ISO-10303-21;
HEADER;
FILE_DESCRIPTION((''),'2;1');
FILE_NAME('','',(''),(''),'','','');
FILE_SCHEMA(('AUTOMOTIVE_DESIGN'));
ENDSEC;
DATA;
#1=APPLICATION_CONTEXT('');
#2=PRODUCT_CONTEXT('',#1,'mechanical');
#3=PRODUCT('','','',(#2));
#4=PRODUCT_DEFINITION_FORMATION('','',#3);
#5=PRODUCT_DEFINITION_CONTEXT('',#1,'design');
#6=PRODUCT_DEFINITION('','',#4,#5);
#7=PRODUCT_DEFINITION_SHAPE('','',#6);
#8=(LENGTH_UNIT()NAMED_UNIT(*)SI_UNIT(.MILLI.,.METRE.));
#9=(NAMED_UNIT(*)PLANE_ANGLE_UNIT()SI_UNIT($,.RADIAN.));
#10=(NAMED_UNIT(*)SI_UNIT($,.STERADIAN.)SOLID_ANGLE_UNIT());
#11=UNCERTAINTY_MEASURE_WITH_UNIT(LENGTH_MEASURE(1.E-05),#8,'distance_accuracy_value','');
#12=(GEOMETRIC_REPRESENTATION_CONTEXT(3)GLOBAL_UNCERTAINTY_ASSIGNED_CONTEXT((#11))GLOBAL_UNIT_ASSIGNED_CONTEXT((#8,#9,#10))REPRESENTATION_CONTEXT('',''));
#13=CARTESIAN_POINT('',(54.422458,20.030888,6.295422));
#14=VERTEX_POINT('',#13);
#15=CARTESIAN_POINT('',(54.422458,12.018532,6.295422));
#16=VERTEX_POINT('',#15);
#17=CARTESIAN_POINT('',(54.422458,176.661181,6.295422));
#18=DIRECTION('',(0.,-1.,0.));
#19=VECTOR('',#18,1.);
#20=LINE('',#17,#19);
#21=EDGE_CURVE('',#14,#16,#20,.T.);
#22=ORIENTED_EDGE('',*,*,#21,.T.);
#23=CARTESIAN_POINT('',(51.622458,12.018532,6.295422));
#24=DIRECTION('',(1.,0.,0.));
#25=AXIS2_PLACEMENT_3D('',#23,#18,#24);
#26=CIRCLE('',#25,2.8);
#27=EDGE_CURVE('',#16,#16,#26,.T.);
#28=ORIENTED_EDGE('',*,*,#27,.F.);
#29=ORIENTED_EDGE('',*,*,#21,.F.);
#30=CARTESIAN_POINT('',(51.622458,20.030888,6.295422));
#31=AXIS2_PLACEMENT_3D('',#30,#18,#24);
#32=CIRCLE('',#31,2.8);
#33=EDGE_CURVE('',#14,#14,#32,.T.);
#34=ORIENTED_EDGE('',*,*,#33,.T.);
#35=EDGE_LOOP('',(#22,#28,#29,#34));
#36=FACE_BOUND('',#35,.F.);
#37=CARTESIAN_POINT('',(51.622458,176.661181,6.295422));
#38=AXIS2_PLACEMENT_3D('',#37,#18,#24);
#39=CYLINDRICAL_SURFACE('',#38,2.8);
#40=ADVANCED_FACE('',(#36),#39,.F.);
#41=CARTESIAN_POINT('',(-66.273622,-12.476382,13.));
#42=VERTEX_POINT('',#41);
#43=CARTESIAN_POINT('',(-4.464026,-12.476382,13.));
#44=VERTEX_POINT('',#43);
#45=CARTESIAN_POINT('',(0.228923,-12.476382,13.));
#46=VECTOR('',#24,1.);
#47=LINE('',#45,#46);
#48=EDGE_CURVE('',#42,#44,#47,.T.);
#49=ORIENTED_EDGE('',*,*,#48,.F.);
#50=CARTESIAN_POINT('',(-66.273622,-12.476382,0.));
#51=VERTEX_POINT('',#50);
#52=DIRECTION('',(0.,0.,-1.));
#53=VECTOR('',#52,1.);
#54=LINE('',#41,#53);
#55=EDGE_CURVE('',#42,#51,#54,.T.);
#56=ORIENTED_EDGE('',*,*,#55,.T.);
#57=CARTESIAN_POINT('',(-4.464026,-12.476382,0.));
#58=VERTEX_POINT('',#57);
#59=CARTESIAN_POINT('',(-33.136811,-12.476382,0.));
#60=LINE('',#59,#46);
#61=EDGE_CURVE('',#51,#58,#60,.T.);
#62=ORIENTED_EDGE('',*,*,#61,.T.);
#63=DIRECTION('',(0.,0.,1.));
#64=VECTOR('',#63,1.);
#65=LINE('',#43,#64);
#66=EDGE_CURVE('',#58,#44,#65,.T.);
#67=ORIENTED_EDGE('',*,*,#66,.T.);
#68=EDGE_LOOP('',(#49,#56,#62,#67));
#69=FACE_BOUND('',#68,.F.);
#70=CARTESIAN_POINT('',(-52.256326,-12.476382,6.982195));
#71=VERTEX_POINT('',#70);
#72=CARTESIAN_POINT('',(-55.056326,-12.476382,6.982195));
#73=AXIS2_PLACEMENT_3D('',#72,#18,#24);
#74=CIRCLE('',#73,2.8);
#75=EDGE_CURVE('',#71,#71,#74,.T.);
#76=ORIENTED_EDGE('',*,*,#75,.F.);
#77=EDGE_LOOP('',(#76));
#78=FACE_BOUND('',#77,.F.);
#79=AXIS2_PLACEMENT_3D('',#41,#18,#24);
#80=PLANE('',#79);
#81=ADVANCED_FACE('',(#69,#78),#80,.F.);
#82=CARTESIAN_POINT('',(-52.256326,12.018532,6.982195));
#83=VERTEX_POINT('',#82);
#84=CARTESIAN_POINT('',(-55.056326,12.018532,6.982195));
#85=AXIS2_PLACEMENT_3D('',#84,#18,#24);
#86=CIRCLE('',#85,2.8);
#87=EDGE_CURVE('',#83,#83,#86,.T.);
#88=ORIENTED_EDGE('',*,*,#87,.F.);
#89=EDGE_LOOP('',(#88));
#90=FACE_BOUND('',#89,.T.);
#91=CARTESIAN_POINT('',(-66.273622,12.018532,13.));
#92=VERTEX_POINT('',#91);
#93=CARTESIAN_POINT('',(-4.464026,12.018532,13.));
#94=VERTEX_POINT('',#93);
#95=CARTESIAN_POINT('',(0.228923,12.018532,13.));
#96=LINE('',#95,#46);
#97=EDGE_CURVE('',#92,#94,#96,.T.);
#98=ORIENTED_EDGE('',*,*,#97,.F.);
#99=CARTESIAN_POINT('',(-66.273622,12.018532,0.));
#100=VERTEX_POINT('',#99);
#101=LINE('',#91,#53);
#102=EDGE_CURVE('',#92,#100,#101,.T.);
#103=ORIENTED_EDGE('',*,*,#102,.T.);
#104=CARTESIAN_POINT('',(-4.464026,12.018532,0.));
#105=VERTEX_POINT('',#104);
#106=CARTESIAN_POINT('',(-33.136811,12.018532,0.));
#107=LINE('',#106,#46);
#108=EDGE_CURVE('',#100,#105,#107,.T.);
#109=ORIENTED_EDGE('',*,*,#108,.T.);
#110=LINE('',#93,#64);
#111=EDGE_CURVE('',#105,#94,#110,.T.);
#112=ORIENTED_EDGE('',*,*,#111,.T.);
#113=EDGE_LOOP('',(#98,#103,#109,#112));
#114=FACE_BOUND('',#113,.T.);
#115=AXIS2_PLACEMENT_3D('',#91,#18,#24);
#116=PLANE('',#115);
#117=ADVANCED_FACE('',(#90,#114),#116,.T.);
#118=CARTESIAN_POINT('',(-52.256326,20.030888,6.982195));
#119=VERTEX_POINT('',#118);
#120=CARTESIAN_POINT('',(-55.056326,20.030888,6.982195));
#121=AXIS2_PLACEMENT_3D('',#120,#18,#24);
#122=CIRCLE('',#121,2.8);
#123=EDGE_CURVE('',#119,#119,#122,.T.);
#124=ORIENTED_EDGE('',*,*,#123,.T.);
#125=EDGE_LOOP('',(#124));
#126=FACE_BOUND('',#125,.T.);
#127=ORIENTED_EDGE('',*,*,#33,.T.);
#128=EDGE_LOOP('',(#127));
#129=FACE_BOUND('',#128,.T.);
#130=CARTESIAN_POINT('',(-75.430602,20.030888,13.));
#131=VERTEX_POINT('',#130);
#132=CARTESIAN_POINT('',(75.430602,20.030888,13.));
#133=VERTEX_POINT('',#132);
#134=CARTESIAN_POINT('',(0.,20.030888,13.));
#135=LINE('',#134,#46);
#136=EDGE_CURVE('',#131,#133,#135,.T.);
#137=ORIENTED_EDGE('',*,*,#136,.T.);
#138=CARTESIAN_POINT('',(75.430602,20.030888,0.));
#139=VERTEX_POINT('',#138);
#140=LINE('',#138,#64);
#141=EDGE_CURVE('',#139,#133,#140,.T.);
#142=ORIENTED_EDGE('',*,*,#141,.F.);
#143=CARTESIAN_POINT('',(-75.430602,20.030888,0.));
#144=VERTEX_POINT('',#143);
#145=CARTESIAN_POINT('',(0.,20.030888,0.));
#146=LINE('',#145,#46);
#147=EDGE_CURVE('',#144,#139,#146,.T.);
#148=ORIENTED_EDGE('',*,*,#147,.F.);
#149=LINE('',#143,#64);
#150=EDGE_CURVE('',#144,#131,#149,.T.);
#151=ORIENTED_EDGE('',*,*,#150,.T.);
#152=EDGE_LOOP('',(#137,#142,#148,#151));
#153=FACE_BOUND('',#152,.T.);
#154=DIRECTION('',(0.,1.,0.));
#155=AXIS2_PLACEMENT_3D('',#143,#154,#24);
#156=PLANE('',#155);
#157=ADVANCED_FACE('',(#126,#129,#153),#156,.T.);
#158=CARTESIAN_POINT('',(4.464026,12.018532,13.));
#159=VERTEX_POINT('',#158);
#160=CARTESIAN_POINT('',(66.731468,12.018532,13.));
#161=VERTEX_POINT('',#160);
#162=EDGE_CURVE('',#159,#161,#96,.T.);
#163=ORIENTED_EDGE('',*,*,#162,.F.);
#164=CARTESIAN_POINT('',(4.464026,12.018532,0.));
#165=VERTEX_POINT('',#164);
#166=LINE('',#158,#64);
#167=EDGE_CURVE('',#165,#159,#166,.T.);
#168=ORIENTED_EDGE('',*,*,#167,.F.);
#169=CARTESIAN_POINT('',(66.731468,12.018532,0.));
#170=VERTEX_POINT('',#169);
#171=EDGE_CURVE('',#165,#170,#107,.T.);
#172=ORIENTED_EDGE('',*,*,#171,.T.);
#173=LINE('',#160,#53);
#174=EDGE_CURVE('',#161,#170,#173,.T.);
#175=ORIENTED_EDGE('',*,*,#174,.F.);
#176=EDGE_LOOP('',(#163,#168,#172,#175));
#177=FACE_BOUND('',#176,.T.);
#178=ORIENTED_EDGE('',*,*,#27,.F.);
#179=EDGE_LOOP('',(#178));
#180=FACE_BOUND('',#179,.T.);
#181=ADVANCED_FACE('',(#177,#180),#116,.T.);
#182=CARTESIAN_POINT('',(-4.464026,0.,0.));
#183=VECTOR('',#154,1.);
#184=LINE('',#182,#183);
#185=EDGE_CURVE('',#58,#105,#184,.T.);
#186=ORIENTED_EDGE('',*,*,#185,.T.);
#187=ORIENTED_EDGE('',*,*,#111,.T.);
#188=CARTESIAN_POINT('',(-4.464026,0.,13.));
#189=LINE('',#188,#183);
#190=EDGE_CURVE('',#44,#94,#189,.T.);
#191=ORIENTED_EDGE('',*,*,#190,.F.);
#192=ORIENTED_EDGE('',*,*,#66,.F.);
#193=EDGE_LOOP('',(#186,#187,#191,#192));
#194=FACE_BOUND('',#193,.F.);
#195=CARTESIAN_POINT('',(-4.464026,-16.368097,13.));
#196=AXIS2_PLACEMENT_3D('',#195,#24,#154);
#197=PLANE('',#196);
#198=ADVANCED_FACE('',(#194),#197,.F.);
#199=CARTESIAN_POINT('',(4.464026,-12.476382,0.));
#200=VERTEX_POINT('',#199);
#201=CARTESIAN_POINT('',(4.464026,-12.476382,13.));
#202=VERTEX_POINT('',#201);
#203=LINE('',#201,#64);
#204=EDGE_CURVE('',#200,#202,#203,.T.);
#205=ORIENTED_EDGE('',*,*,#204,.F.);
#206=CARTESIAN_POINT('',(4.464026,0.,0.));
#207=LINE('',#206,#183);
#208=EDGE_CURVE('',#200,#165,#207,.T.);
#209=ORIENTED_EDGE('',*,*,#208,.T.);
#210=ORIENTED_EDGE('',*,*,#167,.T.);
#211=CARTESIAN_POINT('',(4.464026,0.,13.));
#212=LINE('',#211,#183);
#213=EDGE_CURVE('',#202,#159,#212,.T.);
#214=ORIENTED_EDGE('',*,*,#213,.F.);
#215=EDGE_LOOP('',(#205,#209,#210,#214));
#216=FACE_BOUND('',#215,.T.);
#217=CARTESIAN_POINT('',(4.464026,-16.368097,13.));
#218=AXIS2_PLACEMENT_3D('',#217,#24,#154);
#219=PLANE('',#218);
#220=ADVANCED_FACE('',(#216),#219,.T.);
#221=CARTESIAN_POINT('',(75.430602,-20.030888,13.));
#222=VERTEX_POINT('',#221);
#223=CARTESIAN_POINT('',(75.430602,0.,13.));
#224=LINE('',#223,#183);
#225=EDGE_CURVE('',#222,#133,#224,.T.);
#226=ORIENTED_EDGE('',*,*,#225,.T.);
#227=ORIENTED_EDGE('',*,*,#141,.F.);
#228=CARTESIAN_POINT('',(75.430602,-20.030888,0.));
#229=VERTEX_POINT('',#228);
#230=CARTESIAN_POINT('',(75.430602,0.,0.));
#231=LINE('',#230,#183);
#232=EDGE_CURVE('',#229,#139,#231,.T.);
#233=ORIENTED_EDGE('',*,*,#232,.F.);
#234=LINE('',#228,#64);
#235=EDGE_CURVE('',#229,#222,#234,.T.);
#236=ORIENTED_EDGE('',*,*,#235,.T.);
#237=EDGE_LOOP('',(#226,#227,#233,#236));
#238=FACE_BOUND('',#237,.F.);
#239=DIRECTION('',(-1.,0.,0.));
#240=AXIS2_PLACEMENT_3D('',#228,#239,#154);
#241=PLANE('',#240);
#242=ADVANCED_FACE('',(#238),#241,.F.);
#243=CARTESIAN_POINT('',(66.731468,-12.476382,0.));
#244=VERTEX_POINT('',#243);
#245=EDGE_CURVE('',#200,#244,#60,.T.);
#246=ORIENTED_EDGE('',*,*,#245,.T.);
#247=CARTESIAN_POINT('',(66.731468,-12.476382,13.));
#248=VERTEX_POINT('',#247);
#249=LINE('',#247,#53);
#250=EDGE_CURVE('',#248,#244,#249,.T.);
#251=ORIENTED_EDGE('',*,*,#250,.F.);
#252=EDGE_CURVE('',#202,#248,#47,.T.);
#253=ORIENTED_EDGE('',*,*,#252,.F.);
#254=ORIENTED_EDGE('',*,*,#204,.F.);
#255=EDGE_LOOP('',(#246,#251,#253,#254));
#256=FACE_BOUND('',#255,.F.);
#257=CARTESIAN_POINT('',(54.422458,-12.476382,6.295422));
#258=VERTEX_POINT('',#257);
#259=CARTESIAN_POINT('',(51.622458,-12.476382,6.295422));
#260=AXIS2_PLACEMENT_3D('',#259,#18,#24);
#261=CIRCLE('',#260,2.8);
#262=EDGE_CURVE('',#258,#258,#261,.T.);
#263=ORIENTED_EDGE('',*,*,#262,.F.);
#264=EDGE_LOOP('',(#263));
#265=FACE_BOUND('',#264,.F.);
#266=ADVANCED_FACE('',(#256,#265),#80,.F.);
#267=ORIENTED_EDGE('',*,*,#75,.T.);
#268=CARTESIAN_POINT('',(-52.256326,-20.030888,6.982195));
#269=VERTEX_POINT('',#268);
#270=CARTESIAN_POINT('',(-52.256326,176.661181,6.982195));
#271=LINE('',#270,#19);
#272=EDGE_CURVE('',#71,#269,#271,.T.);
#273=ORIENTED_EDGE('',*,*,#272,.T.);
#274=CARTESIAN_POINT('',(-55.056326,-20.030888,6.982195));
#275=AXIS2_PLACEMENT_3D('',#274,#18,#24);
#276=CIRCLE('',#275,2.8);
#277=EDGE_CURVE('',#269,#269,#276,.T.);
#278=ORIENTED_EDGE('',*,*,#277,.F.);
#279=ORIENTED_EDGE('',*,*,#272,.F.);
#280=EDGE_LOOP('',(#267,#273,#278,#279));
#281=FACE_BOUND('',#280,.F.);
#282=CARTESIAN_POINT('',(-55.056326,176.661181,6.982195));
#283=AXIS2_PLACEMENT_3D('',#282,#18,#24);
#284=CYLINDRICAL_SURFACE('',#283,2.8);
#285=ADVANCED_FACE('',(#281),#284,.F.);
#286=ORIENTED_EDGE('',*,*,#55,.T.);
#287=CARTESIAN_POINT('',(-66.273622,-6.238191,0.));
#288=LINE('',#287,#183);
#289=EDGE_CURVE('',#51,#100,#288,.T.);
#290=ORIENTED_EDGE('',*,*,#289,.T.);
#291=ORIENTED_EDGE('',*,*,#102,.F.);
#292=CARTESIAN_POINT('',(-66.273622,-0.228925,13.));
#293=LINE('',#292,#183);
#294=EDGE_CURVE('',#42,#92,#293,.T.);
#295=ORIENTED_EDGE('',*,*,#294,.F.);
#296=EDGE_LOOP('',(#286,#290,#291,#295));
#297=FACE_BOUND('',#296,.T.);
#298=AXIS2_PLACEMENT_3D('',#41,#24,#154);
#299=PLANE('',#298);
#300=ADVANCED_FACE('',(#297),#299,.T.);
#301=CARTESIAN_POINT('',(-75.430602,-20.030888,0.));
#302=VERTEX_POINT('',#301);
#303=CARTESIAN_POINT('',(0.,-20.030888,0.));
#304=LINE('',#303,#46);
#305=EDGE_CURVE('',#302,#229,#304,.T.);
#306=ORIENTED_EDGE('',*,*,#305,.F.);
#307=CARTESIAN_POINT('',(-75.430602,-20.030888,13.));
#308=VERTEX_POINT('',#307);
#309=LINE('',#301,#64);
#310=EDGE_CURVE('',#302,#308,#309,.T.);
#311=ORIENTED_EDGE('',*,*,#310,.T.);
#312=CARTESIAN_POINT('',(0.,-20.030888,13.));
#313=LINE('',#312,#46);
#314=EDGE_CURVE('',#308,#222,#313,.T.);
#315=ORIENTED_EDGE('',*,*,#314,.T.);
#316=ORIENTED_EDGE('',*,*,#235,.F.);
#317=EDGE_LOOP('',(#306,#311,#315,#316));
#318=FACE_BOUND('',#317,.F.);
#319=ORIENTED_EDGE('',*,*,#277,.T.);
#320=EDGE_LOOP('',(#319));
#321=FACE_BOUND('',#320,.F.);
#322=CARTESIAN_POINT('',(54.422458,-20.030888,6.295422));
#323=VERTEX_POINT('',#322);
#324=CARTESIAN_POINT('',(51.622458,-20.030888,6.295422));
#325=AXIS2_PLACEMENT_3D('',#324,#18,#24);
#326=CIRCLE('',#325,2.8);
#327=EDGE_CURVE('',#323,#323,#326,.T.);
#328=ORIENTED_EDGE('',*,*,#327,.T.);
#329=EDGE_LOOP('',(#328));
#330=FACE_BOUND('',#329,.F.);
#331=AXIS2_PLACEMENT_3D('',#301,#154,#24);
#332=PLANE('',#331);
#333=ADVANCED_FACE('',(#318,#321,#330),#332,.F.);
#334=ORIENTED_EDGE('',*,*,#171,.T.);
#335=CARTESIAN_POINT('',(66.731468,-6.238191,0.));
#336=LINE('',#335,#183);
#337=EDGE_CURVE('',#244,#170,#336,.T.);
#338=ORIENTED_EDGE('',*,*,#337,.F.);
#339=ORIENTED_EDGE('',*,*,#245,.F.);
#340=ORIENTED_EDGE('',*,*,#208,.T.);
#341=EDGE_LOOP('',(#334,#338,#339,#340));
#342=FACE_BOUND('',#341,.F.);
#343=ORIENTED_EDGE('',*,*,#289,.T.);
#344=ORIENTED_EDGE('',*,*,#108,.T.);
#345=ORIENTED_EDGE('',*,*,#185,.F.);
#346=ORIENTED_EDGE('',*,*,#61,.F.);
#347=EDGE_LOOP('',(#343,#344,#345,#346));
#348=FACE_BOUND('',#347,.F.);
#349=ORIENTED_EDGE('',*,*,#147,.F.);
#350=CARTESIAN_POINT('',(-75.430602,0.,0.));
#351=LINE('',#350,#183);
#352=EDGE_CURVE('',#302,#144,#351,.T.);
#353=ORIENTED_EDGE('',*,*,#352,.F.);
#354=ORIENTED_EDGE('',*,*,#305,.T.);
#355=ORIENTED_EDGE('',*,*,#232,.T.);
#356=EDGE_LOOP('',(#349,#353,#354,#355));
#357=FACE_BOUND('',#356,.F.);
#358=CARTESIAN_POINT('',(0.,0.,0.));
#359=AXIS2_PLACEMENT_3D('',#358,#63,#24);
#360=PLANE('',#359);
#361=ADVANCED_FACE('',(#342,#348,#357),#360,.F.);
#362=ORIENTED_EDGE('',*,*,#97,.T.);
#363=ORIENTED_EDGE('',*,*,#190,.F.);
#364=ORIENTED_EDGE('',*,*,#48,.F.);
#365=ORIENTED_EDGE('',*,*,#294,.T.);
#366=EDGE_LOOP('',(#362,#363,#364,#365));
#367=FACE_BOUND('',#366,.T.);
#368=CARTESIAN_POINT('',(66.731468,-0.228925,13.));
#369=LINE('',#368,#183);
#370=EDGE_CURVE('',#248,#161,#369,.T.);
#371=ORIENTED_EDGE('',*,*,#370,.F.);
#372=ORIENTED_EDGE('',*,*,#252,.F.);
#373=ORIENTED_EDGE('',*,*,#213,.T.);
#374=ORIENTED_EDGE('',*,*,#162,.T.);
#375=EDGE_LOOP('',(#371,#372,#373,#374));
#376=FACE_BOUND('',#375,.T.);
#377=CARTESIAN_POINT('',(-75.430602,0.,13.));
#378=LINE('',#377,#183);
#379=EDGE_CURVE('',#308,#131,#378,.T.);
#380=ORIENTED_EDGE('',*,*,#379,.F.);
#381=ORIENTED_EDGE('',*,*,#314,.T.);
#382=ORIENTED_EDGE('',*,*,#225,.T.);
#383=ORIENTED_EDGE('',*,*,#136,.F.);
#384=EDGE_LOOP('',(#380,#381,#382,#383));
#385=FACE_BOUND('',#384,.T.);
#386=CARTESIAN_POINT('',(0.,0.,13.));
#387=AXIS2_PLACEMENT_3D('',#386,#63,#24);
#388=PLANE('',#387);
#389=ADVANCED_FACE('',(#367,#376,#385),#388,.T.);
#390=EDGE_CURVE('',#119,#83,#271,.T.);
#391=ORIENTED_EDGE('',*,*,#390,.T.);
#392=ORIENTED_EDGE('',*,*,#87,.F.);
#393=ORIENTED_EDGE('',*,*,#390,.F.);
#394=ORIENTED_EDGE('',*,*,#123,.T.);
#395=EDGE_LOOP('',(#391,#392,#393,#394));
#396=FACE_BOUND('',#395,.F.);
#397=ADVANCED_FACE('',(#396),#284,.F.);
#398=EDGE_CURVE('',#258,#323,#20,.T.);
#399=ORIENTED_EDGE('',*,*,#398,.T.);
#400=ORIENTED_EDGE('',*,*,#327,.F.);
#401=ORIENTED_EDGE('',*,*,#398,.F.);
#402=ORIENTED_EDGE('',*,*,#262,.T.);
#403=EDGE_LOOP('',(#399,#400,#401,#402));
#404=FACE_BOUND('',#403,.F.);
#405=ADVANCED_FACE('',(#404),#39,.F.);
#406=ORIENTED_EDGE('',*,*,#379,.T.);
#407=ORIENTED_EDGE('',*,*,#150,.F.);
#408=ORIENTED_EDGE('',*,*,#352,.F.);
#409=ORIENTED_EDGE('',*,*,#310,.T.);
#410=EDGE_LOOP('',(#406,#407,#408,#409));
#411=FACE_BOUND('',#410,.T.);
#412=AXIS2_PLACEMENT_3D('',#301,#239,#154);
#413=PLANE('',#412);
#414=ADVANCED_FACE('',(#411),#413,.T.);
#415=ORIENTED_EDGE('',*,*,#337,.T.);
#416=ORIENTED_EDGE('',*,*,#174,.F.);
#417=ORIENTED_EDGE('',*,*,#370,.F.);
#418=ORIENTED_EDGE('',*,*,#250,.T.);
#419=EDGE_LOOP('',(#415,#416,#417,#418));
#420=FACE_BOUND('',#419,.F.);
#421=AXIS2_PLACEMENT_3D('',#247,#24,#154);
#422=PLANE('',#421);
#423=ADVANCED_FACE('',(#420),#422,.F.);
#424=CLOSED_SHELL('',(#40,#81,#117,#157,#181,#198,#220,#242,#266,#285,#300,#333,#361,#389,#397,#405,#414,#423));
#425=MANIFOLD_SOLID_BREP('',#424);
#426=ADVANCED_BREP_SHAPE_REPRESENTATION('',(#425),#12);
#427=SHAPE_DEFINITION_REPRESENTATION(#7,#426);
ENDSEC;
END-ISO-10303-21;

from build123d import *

# Parameters (mm, degrees)
F0_W     = 150.861204
F0_H     = 40.061776
F1_DEPTH = 13
F2_W     = 133.00509
F2_H     = 24.494914
F3_DEPTH = 25
F4_W     = 8.928052
F4_H     = 32.736194
F5_DEPTH = 13
F7_D     = 5.6


with BuildPart() as f1:
    # F0 (on Top) → F1 (new body)
    with BuildSketch(Plane.XY):
        Rectangle(F0_W, F0_H)
    extrude(amount=F1_DEPTH)

    # F2 (on face) → F3 (cut)
    with BuildSketch(Plane.XY.offset(13)):
        with Locations((0.228923, -0.228925)):
            Rectangle(F2_W, F2_H)
    extrude(amount=-F3_DEPTH, mode=Mode.SUBTRACT)

    # F4 (on face) → F5 (join)
    with BuildSketch(Plane.XY.offset(13)):
        Rectangle(F4_W, F4_H)
    extrude(amount=-F5_DEPTH)

    # F7 (through all)
    with Locations(Plane(origin=(0, 20.030888, 0), x_dir=(-1, 0, 0), z_dir=(0, 1, 0))):
        with Locations((55.056326, 6.982195), (-51.622458, 6.295422)):
            Hole(F7_D / 2)


solid = f1.part
